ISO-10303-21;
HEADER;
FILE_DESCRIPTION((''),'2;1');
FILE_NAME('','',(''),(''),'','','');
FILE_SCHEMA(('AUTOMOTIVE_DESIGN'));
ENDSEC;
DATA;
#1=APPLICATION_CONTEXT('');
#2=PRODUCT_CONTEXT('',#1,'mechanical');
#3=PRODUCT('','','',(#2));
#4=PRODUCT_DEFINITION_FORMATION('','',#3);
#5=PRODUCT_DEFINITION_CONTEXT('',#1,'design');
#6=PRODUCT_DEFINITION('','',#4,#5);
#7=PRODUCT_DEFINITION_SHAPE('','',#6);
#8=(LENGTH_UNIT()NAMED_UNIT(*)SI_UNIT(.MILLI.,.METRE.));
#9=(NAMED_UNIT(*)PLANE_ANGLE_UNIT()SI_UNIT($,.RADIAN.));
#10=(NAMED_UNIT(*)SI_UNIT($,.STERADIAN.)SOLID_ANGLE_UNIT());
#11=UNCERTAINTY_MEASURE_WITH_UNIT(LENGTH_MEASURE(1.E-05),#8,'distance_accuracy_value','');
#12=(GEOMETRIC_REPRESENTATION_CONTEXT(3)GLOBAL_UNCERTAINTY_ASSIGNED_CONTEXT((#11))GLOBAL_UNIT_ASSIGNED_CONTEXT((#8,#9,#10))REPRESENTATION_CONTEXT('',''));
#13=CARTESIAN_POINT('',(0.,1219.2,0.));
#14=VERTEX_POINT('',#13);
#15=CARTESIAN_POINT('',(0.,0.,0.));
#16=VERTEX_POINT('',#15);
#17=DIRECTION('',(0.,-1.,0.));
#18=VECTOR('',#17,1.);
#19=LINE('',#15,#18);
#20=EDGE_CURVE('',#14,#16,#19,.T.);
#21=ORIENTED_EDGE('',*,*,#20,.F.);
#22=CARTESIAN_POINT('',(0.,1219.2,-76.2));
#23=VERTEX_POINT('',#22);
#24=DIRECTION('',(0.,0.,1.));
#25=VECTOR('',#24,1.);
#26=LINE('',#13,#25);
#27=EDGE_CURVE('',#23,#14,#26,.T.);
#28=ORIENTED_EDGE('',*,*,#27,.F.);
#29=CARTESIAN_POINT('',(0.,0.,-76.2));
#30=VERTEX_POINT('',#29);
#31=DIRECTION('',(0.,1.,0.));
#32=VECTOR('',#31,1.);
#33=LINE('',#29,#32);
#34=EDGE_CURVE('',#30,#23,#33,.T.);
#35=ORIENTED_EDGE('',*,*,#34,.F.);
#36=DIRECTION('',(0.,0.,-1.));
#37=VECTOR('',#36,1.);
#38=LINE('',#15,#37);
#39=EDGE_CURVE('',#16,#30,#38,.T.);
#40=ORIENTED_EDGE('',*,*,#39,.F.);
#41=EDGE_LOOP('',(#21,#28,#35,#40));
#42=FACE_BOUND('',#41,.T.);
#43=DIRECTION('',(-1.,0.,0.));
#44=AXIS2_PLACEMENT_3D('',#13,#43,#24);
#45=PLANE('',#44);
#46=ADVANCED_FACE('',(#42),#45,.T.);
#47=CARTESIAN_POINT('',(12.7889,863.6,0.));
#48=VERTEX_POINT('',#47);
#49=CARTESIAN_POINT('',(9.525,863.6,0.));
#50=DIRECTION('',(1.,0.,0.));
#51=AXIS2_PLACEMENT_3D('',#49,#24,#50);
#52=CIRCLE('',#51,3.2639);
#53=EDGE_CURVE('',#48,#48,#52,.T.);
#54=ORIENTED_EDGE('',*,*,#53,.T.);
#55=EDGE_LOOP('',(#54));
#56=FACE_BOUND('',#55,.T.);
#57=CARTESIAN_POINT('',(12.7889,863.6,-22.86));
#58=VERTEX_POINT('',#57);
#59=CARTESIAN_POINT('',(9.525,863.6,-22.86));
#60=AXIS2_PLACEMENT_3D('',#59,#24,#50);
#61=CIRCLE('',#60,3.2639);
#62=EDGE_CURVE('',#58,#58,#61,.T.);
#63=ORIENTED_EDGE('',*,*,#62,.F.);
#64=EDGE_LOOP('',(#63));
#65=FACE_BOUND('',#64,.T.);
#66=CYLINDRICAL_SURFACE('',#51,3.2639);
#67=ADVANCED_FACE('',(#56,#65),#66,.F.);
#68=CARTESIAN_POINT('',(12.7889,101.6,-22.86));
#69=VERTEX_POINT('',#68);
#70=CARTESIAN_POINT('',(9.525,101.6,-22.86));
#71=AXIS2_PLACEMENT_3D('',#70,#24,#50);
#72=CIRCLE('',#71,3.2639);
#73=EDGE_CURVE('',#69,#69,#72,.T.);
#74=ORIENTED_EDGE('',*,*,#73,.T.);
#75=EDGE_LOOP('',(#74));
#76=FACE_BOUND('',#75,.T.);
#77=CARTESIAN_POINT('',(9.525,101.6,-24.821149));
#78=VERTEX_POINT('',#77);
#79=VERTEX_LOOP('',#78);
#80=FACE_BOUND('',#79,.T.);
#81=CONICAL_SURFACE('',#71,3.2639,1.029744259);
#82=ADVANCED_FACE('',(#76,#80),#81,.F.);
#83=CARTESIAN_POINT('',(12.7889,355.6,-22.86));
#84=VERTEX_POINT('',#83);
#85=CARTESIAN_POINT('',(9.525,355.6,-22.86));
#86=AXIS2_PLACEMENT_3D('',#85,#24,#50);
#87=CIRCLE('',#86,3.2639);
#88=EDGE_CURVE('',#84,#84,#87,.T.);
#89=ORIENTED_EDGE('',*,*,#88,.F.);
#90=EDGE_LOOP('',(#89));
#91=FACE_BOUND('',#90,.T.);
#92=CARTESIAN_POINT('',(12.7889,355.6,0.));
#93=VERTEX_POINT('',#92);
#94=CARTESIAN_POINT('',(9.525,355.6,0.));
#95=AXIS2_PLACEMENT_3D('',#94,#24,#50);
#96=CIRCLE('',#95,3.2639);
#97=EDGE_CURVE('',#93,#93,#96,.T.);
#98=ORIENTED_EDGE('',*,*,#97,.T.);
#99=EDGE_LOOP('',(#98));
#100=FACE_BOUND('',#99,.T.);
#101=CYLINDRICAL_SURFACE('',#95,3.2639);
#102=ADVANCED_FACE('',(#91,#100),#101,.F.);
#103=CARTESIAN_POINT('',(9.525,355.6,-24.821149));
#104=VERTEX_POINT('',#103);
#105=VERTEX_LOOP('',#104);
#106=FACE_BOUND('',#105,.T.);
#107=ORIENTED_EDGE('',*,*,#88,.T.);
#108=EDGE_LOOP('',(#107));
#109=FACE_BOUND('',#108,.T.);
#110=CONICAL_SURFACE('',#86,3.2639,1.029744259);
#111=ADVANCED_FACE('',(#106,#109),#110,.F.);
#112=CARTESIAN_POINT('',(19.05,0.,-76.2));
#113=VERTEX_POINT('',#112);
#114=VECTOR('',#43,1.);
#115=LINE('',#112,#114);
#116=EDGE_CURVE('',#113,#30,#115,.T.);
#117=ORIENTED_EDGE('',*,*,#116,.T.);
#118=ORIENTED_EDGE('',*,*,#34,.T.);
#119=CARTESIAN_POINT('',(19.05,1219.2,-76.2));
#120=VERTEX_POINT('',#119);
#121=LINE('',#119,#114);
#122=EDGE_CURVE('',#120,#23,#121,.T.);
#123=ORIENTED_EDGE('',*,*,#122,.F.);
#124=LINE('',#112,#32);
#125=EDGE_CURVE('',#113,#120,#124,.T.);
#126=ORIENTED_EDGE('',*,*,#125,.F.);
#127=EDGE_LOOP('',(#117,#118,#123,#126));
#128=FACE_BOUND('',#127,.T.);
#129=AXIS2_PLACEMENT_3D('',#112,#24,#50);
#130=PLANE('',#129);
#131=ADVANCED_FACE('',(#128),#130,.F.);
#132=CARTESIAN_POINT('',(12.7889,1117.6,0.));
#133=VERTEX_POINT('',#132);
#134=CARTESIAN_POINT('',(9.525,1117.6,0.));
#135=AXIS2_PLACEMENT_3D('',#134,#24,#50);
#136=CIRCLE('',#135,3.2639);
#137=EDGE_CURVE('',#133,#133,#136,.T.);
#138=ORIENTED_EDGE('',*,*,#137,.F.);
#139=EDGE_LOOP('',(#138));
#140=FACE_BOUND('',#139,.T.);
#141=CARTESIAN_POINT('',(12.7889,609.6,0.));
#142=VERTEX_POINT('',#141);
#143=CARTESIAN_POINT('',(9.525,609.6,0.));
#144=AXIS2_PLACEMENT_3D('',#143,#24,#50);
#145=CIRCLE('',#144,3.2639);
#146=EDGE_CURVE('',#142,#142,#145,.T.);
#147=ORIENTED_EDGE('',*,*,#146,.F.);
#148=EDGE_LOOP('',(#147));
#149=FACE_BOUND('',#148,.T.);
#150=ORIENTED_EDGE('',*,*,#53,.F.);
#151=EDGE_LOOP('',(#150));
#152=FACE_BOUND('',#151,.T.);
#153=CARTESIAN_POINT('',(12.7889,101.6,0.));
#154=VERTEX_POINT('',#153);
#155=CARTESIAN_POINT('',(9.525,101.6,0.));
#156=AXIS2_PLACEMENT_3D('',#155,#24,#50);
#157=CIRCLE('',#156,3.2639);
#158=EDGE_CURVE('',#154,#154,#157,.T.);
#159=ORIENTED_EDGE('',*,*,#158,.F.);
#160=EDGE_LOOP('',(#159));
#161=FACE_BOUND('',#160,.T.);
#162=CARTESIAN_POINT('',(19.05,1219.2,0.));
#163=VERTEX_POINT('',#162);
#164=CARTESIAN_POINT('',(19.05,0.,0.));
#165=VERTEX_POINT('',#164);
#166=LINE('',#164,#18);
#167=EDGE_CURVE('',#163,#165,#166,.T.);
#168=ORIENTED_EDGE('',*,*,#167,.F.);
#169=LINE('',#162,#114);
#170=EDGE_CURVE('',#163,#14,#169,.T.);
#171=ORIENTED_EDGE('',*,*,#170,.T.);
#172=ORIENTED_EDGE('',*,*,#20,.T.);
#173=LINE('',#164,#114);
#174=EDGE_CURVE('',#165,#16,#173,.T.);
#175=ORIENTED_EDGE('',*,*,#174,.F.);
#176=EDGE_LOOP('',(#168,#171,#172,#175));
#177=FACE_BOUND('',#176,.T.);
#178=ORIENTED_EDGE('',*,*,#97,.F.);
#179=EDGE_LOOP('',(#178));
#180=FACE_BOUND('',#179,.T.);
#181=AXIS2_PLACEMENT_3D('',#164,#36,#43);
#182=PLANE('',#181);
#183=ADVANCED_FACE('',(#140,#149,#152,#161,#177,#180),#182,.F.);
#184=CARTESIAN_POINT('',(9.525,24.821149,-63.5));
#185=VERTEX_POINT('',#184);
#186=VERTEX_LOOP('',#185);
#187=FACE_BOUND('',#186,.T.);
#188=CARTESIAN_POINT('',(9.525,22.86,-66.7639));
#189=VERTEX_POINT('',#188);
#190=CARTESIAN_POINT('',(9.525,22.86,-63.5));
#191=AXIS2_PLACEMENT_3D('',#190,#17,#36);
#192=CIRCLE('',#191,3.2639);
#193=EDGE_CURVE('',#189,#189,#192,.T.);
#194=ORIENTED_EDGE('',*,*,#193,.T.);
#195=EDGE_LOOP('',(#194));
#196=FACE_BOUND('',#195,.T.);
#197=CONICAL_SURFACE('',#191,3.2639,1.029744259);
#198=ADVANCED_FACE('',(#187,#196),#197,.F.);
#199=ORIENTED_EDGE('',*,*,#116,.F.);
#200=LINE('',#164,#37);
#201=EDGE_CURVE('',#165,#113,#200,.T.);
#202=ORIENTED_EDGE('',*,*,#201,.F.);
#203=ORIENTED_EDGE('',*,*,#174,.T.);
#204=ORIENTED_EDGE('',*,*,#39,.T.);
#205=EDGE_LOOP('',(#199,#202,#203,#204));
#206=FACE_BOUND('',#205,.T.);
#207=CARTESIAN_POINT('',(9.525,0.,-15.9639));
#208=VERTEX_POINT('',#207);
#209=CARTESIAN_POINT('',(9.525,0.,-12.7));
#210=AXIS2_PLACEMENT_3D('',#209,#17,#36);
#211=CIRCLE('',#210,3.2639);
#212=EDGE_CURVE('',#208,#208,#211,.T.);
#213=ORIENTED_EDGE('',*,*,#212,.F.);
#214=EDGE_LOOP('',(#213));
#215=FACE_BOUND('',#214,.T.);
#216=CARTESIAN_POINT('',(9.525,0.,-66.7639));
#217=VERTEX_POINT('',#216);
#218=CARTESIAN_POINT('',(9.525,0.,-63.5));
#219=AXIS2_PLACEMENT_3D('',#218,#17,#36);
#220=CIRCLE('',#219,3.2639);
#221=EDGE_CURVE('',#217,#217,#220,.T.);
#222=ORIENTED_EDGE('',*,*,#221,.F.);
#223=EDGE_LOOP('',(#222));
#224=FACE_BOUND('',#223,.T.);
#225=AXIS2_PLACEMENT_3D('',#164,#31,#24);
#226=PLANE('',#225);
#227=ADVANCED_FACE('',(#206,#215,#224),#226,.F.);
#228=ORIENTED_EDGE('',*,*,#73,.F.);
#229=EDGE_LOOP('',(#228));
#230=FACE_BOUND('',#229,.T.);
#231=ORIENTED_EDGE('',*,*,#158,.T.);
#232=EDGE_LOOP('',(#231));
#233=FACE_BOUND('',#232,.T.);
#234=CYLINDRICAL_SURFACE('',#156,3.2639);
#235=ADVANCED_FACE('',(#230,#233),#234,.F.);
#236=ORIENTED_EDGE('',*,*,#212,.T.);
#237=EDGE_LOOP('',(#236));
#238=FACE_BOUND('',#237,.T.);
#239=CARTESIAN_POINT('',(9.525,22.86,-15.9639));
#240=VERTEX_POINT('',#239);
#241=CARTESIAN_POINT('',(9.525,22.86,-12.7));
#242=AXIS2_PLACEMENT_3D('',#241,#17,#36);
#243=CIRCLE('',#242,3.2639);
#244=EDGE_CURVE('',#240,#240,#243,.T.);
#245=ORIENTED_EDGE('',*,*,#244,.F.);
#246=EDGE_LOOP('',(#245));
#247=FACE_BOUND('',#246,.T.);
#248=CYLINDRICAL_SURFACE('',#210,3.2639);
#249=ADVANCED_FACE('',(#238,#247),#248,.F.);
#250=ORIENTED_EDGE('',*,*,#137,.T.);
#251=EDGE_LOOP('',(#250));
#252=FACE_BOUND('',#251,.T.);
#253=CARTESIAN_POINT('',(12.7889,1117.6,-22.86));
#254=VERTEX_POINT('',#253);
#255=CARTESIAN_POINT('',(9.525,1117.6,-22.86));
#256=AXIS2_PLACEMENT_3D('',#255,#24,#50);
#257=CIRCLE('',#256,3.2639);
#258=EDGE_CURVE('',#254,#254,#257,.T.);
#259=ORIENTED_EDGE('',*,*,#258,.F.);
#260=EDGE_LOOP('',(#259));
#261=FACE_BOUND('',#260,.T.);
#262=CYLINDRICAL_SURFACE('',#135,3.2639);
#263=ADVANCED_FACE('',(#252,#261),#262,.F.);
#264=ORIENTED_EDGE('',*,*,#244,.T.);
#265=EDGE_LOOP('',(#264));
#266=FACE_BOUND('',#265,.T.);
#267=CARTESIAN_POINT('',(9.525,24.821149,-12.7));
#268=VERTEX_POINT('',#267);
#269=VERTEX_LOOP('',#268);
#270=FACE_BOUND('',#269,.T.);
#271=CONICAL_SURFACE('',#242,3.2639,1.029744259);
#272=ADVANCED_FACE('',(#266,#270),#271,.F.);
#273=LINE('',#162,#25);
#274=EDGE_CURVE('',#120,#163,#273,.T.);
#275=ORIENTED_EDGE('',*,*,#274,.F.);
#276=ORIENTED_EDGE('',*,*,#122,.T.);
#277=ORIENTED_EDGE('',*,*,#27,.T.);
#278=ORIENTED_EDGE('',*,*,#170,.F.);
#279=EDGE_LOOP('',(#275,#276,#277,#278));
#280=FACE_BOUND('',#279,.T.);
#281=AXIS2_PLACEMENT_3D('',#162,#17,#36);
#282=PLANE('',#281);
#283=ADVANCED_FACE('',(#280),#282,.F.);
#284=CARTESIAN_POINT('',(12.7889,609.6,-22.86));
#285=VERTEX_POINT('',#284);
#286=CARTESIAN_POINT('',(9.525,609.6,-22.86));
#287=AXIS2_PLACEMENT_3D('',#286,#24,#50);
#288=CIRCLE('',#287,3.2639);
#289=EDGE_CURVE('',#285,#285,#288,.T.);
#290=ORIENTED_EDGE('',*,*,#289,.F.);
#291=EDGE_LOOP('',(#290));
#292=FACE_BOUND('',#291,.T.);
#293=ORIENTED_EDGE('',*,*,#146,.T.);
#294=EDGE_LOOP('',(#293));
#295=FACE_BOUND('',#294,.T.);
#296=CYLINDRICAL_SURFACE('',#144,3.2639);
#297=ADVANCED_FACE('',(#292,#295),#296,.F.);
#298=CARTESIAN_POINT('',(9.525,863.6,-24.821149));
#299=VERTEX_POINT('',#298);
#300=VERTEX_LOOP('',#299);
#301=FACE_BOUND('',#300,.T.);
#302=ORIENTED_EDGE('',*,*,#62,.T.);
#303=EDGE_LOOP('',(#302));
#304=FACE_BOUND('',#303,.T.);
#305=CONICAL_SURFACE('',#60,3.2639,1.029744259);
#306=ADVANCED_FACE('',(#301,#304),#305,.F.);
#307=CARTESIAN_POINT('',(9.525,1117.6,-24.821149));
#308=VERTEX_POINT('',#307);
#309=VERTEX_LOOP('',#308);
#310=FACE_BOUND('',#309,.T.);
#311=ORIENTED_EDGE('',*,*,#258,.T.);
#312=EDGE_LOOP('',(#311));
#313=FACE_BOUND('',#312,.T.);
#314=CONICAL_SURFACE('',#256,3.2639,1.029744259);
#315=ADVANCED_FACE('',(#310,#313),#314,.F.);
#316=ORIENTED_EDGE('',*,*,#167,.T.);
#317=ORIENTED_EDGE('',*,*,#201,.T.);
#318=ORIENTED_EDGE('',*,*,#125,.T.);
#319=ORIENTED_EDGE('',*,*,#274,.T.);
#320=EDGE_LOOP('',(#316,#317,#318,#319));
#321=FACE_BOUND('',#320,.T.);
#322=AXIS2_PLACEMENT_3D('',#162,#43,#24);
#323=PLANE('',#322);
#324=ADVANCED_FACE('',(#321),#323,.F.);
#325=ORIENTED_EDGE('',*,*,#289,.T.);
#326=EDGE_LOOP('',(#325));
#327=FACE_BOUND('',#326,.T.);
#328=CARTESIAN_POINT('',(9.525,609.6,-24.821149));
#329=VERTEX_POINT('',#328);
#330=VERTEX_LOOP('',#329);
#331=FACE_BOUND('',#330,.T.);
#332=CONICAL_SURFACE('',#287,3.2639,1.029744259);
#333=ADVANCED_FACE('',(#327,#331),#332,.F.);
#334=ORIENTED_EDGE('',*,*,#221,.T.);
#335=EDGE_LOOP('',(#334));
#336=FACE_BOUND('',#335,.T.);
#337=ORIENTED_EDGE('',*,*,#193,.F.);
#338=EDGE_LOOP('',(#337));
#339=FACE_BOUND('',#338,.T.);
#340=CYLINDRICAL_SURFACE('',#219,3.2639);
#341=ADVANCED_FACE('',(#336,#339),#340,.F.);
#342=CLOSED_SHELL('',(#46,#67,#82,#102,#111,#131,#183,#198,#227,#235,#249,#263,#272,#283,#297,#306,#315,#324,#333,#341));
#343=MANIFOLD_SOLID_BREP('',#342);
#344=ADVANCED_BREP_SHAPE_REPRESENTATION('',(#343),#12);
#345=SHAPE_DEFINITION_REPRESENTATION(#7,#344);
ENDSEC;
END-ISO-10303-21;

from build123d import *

# Parameters (mm, degrees)
SKETCH1_W                    = 76.2
SKETCH1_H                    = 1219.2
EXTRUDE1_DEPTH               = 19.05
F_5_16_18_TAPPED_HOLE1_D     = 6.5278
F_5_16_18_TAPPED_HOLE1_DEPTH = 22.86
F_5_16_18_TAPPED_HOLE1_TIP   = 1.961148974
F_5_16_18_TAPPED_HOLE2_D     = 6.5278
F_5_16_18_TAPPED_HOLE2_DEPTH = 22.86
F_5_16_18_TAPPED_HOLE2_TIP   = 1.961148974


with BuildPart() as part:
    # Sketch1 → Extrude1 (new body)
    with BuildSketch(Plane(origin=(0, 0, 0), x_dir=(0, 0, -1), z_dir=(1, 0, 0))):
        with Locations((38.1, 609.6)):
            Rectangle(SKETCH1_W, SKETCH1_H)
    extrude(amount=EXTRUDE1_DEPTH)

    # 5/16-18 Tapped Hole1
    with Locations(Plane.XY):
        with Locations((9.525, 1117.6), (9.525, 863.6), (9.525, 609.6), (9.525, 355.6), (9.525, 101.6)):
            Hole(F_5_16_18_TAPPED_HOLE1_D / 2, depth=F_5_16_18_TAPPED_HOLE1_DEPTH)
            with Locations((0, 0, -(F_5_16_18_TAPPED_HOLE1_DEPTH + F_5_16_18_TAPPED_HOLE1_TIP / 2))):  # 118° drill point
                Cone(0, F_5_16_18_TAPPED_HOLE1_D / 2, F_5_16_18_TAPPED_HOLE1_TIP, mode=Mode.SUBTRACT)

    # 5/16-18 Tapped Hole2
    with Locations(Plane.XZ):
        with Locations((9.525, -63.5), (9.525, -12.7)):
            Hole(F_5_16_18_TAPPED_HOLE2_D / 2, depth=F_5_16_18_TAPPED_HOLE2_DEPTH)
            with Locations((0, 0, -(F_5_16_18_TAPPED_HOLE2_DEPTH + F_5_16_18_TAPPED_HOLE2_TIP / 2))):  # 118° drill point
                Cone(0, F_5_16_18_TAPPED_HOLE2_D / 2, F_5_16_18_TAPPED_HOLE2_TIP, mode=Mode.SUBTRACT)


solid = part.part
